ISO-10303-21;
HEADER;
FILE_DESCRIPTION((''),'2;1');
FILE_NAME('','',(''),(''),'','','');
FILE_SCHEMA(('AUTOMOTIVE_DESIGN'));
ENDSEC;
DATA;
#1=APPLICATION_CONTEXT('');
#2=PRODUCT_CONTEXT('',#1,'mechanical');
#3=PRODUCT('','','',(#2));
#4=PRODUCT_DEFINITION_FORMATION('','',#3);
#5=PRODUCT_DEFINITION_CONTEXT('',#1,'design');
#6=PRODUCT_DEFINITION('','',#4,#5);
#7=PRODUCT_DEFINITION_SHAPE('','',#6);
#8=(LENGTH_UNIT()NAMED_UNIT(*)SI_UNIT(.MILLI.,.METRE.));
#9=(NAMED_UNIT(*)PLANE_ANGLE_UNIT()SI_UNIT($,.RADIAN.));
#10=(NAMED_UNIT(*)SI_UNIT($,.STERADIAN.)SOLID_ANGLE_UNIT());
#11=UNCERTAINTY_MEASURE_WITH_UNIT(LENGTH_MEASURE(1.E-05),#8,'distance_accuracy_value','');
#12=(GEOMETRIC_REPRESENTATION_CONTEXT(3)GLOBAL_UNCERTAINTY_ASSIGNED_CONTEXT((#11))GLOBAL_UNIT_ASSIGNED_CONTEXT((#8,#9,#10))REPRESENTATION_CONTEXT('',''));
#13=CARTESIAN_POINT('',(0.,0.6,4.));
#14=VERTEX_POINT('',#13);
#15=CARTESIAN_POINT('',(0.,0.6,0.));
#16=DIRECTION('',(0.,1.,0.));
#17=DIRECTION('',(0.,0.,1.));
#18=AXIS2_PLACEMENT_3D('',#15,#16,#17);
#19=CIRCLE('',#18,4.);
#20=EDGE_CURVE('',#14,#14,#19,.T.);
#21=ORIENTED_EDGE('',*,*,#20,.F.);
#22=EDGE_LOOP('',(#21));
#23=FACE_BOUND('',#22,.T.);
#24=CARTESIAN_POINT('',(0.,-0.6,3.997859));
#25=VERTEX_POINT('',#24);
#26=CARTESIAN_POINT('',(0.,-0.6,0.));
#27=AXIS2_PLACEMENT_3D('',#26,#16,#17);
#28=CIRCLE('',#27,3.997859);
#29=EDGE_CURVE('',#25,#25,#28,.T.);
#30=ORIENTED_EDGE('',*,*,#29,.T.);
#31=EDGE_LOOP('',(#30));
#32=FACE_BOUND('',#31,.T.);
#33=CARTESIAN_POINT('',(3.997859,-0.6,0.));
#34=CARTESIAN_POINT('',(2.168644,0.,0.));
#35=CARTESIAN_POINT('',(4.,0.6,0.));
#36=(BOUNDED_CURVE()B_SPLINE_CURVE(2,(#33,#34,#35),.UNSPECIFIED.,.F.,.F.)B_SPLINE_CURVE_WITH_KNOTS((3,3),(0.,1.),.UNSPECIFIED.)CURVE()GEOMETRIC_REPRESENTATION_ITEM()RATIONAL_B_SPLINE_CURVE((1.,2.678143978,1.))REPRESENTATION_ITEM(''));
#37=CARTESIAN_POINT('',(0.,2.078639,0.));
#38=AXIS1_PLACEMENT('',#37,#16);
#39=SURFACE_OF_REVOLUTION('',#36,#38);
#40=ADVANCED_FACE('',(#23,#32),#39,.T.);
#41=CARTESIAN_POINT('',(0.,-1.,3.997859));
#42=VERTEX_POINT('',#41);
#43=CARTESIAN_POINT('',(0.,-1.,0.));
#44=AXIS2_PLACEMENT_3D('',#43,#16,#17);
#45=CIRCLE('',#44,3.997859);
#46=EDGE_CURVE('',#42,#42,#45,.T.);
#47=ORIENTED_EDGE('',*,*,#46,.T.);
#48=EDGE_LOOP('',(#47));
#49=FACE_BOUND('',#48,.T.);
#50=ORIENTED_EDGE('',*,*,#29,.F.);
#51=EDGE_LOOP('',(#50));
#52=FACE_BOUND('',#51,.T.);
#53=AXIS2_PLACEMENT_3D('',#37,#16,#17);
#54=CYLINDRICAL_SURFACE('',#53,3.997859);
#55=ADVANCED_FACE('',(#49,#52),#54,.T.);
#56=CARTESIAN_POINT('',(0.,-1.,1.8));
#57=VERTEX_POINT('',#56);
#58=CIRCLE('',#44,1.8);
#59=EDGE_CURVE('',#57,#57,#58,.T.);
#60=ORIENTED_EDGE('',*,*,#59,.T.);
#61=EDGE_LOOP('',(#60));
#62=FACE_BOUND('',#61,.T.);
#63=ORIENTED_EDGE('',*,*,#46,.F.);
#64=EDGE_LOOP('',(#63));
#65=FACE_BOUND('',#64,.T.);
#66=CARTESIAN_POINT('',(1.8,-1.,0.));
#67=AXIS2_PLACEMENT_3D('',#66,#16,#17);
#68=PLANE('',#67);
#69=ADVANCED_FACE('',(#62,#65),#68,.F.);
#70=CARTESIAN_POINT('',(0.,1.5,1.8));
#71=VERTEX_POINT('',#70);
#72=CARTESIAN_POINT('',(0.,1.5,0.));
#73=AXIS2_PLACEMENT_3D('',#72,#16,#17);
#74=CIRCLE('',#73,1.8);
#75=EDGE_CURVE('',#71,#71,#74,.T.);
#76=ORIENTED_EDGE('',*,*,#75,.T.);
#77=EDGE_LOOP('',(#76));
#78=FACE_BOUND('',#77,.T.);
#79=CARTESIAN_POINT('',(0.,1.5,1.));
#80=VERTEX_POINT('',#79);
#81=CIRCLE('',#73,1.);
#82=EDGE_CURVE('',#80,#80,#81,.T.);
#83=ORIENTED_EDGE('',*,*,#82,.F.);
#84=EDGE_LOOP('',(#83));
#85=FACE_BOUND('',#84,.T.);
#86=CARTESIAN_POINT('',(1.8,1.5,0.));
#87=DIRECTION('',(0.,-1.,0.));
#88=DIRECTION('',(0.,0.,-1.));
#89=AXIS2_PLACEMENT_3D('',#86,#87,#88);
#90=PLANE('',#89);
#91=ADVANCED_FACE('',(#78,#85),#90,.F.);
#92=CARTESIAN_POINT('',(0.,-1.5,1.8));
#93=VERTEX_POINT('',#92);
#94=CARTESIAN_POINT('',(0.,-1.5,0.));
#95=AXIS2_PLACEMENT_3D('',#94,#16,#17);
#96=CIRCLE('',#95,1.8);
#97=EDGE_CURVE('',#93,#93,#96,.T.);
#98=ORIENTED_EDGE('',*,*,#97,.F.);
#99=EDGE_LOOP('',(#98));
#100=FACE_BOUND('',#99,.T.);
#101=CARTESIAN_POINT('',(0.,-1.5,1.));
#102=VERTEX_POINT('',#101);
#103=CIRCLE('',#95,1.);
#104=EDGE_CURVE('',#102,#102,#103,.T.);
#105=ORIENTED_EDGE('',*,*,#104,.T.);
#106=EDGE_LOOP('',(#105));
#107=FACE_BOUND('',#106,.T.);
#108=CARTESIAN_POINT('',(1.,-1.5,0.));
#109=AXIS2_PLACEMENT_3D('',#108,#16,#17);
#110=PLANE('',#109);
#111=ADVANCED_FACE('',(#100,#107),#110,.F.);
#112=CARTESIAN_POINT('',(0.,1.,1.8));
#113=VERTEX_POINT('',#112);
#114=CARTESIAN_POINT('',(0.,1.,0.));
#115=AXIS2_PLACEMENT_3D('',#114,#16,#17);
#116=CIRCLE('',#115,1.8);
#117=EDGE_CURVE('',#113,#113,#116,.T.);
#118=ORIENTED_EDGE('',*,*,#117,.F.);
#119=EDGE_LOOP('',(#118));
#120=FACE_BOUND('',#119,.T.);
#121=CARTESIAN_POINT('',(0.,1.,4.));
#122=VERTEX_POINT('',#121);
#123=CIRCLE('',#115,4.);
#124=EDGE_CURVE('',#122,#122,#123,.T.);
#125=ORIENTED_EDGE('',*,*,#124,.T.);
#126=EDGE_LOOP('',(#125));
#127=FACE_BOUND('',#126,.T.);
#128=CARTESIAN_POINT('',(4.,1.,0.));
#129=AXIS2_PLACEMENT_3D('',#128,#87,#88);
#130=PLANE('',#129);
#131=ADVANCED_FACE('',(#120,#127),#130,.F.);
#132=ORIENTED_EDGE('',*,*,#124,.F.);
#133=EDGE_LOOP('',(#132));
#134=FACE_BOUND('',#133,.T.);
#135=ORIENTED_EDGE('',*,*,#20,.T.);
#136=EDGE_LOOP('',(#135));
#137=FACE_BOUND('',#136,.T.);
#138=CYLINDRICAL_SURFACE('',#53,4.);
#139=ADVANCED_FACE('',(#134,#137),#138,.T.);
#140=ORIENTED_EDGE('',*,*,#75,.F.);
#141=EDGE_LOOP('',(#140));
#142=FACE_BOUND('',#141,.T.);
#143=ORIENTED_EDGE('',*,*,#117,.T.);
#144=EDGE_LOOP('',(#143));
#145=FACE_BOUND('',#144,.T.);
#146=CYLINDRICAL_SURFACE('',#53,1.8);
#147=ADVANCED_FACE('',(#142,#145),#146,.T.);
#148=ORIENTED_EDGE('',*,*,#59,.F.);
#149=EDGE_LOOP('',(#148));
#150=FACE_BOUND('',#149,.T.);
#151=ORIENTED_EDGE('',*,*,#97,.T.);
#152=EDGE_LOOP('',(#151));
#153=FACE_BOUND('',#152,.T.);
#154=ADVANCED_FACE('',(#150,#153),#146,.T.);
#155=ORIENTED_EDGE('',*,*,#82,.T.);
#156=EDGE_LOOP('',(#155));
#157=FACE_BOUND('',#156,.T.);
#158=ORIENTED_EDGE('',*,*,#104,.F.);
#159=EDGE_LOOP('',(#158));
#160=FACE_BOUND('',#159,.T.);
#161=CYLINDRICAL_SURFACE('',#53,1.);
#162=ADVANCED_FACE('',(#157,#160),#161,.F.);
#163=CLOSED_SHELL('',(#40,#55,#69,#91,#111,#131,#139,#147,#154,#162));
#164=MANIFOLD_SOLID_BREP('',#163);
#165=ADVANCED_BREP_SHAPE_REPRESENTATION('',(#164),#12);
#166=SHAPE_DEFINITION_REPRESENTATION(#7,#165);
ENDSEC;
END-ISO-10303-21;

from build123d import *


with BuildPart() as part:
    # 草图1 → 旋转9 (revolve)
    with BuildSketch(Plane.XY, mode=Mode.PRIVATE) as revolve_9_sk:
        with BuildLine():
            Line((1, -1.5), (1.8, -1.5))
            Line((1.8, -1.5), (1.8, -1))
            Line((1.8, -1), (3.997858661, -1))
            Line((3.997858661, -1), (3.997858661, -0.6))
            add(Edge.make_bspline(
                [(4, 0.6), (2.168643652, 0), (3.997858661, -0.6)],
                knots=[0, 0, 0, 1, 1, 1], degree=2, weights=[1, 2.678143978, 1]))
            Line((4, 0.6), (4, 1))
            Line((4, 1), (1.8, 1))
            Line((1.8, 1), (1.8, 1.5))
            Line((1.8, 1.5), (1, 1.5))
            Line((1, 1.5), (1, -1.5))
        make_face()
    revolve(revolve_9_sk.sketch.rotate(Axis((0, 2.07863921, 0), (0, -1, 0)), 90), axis=Axis((0, 2.07863921, 0), (0, -1, 0)))


solid = part.part
